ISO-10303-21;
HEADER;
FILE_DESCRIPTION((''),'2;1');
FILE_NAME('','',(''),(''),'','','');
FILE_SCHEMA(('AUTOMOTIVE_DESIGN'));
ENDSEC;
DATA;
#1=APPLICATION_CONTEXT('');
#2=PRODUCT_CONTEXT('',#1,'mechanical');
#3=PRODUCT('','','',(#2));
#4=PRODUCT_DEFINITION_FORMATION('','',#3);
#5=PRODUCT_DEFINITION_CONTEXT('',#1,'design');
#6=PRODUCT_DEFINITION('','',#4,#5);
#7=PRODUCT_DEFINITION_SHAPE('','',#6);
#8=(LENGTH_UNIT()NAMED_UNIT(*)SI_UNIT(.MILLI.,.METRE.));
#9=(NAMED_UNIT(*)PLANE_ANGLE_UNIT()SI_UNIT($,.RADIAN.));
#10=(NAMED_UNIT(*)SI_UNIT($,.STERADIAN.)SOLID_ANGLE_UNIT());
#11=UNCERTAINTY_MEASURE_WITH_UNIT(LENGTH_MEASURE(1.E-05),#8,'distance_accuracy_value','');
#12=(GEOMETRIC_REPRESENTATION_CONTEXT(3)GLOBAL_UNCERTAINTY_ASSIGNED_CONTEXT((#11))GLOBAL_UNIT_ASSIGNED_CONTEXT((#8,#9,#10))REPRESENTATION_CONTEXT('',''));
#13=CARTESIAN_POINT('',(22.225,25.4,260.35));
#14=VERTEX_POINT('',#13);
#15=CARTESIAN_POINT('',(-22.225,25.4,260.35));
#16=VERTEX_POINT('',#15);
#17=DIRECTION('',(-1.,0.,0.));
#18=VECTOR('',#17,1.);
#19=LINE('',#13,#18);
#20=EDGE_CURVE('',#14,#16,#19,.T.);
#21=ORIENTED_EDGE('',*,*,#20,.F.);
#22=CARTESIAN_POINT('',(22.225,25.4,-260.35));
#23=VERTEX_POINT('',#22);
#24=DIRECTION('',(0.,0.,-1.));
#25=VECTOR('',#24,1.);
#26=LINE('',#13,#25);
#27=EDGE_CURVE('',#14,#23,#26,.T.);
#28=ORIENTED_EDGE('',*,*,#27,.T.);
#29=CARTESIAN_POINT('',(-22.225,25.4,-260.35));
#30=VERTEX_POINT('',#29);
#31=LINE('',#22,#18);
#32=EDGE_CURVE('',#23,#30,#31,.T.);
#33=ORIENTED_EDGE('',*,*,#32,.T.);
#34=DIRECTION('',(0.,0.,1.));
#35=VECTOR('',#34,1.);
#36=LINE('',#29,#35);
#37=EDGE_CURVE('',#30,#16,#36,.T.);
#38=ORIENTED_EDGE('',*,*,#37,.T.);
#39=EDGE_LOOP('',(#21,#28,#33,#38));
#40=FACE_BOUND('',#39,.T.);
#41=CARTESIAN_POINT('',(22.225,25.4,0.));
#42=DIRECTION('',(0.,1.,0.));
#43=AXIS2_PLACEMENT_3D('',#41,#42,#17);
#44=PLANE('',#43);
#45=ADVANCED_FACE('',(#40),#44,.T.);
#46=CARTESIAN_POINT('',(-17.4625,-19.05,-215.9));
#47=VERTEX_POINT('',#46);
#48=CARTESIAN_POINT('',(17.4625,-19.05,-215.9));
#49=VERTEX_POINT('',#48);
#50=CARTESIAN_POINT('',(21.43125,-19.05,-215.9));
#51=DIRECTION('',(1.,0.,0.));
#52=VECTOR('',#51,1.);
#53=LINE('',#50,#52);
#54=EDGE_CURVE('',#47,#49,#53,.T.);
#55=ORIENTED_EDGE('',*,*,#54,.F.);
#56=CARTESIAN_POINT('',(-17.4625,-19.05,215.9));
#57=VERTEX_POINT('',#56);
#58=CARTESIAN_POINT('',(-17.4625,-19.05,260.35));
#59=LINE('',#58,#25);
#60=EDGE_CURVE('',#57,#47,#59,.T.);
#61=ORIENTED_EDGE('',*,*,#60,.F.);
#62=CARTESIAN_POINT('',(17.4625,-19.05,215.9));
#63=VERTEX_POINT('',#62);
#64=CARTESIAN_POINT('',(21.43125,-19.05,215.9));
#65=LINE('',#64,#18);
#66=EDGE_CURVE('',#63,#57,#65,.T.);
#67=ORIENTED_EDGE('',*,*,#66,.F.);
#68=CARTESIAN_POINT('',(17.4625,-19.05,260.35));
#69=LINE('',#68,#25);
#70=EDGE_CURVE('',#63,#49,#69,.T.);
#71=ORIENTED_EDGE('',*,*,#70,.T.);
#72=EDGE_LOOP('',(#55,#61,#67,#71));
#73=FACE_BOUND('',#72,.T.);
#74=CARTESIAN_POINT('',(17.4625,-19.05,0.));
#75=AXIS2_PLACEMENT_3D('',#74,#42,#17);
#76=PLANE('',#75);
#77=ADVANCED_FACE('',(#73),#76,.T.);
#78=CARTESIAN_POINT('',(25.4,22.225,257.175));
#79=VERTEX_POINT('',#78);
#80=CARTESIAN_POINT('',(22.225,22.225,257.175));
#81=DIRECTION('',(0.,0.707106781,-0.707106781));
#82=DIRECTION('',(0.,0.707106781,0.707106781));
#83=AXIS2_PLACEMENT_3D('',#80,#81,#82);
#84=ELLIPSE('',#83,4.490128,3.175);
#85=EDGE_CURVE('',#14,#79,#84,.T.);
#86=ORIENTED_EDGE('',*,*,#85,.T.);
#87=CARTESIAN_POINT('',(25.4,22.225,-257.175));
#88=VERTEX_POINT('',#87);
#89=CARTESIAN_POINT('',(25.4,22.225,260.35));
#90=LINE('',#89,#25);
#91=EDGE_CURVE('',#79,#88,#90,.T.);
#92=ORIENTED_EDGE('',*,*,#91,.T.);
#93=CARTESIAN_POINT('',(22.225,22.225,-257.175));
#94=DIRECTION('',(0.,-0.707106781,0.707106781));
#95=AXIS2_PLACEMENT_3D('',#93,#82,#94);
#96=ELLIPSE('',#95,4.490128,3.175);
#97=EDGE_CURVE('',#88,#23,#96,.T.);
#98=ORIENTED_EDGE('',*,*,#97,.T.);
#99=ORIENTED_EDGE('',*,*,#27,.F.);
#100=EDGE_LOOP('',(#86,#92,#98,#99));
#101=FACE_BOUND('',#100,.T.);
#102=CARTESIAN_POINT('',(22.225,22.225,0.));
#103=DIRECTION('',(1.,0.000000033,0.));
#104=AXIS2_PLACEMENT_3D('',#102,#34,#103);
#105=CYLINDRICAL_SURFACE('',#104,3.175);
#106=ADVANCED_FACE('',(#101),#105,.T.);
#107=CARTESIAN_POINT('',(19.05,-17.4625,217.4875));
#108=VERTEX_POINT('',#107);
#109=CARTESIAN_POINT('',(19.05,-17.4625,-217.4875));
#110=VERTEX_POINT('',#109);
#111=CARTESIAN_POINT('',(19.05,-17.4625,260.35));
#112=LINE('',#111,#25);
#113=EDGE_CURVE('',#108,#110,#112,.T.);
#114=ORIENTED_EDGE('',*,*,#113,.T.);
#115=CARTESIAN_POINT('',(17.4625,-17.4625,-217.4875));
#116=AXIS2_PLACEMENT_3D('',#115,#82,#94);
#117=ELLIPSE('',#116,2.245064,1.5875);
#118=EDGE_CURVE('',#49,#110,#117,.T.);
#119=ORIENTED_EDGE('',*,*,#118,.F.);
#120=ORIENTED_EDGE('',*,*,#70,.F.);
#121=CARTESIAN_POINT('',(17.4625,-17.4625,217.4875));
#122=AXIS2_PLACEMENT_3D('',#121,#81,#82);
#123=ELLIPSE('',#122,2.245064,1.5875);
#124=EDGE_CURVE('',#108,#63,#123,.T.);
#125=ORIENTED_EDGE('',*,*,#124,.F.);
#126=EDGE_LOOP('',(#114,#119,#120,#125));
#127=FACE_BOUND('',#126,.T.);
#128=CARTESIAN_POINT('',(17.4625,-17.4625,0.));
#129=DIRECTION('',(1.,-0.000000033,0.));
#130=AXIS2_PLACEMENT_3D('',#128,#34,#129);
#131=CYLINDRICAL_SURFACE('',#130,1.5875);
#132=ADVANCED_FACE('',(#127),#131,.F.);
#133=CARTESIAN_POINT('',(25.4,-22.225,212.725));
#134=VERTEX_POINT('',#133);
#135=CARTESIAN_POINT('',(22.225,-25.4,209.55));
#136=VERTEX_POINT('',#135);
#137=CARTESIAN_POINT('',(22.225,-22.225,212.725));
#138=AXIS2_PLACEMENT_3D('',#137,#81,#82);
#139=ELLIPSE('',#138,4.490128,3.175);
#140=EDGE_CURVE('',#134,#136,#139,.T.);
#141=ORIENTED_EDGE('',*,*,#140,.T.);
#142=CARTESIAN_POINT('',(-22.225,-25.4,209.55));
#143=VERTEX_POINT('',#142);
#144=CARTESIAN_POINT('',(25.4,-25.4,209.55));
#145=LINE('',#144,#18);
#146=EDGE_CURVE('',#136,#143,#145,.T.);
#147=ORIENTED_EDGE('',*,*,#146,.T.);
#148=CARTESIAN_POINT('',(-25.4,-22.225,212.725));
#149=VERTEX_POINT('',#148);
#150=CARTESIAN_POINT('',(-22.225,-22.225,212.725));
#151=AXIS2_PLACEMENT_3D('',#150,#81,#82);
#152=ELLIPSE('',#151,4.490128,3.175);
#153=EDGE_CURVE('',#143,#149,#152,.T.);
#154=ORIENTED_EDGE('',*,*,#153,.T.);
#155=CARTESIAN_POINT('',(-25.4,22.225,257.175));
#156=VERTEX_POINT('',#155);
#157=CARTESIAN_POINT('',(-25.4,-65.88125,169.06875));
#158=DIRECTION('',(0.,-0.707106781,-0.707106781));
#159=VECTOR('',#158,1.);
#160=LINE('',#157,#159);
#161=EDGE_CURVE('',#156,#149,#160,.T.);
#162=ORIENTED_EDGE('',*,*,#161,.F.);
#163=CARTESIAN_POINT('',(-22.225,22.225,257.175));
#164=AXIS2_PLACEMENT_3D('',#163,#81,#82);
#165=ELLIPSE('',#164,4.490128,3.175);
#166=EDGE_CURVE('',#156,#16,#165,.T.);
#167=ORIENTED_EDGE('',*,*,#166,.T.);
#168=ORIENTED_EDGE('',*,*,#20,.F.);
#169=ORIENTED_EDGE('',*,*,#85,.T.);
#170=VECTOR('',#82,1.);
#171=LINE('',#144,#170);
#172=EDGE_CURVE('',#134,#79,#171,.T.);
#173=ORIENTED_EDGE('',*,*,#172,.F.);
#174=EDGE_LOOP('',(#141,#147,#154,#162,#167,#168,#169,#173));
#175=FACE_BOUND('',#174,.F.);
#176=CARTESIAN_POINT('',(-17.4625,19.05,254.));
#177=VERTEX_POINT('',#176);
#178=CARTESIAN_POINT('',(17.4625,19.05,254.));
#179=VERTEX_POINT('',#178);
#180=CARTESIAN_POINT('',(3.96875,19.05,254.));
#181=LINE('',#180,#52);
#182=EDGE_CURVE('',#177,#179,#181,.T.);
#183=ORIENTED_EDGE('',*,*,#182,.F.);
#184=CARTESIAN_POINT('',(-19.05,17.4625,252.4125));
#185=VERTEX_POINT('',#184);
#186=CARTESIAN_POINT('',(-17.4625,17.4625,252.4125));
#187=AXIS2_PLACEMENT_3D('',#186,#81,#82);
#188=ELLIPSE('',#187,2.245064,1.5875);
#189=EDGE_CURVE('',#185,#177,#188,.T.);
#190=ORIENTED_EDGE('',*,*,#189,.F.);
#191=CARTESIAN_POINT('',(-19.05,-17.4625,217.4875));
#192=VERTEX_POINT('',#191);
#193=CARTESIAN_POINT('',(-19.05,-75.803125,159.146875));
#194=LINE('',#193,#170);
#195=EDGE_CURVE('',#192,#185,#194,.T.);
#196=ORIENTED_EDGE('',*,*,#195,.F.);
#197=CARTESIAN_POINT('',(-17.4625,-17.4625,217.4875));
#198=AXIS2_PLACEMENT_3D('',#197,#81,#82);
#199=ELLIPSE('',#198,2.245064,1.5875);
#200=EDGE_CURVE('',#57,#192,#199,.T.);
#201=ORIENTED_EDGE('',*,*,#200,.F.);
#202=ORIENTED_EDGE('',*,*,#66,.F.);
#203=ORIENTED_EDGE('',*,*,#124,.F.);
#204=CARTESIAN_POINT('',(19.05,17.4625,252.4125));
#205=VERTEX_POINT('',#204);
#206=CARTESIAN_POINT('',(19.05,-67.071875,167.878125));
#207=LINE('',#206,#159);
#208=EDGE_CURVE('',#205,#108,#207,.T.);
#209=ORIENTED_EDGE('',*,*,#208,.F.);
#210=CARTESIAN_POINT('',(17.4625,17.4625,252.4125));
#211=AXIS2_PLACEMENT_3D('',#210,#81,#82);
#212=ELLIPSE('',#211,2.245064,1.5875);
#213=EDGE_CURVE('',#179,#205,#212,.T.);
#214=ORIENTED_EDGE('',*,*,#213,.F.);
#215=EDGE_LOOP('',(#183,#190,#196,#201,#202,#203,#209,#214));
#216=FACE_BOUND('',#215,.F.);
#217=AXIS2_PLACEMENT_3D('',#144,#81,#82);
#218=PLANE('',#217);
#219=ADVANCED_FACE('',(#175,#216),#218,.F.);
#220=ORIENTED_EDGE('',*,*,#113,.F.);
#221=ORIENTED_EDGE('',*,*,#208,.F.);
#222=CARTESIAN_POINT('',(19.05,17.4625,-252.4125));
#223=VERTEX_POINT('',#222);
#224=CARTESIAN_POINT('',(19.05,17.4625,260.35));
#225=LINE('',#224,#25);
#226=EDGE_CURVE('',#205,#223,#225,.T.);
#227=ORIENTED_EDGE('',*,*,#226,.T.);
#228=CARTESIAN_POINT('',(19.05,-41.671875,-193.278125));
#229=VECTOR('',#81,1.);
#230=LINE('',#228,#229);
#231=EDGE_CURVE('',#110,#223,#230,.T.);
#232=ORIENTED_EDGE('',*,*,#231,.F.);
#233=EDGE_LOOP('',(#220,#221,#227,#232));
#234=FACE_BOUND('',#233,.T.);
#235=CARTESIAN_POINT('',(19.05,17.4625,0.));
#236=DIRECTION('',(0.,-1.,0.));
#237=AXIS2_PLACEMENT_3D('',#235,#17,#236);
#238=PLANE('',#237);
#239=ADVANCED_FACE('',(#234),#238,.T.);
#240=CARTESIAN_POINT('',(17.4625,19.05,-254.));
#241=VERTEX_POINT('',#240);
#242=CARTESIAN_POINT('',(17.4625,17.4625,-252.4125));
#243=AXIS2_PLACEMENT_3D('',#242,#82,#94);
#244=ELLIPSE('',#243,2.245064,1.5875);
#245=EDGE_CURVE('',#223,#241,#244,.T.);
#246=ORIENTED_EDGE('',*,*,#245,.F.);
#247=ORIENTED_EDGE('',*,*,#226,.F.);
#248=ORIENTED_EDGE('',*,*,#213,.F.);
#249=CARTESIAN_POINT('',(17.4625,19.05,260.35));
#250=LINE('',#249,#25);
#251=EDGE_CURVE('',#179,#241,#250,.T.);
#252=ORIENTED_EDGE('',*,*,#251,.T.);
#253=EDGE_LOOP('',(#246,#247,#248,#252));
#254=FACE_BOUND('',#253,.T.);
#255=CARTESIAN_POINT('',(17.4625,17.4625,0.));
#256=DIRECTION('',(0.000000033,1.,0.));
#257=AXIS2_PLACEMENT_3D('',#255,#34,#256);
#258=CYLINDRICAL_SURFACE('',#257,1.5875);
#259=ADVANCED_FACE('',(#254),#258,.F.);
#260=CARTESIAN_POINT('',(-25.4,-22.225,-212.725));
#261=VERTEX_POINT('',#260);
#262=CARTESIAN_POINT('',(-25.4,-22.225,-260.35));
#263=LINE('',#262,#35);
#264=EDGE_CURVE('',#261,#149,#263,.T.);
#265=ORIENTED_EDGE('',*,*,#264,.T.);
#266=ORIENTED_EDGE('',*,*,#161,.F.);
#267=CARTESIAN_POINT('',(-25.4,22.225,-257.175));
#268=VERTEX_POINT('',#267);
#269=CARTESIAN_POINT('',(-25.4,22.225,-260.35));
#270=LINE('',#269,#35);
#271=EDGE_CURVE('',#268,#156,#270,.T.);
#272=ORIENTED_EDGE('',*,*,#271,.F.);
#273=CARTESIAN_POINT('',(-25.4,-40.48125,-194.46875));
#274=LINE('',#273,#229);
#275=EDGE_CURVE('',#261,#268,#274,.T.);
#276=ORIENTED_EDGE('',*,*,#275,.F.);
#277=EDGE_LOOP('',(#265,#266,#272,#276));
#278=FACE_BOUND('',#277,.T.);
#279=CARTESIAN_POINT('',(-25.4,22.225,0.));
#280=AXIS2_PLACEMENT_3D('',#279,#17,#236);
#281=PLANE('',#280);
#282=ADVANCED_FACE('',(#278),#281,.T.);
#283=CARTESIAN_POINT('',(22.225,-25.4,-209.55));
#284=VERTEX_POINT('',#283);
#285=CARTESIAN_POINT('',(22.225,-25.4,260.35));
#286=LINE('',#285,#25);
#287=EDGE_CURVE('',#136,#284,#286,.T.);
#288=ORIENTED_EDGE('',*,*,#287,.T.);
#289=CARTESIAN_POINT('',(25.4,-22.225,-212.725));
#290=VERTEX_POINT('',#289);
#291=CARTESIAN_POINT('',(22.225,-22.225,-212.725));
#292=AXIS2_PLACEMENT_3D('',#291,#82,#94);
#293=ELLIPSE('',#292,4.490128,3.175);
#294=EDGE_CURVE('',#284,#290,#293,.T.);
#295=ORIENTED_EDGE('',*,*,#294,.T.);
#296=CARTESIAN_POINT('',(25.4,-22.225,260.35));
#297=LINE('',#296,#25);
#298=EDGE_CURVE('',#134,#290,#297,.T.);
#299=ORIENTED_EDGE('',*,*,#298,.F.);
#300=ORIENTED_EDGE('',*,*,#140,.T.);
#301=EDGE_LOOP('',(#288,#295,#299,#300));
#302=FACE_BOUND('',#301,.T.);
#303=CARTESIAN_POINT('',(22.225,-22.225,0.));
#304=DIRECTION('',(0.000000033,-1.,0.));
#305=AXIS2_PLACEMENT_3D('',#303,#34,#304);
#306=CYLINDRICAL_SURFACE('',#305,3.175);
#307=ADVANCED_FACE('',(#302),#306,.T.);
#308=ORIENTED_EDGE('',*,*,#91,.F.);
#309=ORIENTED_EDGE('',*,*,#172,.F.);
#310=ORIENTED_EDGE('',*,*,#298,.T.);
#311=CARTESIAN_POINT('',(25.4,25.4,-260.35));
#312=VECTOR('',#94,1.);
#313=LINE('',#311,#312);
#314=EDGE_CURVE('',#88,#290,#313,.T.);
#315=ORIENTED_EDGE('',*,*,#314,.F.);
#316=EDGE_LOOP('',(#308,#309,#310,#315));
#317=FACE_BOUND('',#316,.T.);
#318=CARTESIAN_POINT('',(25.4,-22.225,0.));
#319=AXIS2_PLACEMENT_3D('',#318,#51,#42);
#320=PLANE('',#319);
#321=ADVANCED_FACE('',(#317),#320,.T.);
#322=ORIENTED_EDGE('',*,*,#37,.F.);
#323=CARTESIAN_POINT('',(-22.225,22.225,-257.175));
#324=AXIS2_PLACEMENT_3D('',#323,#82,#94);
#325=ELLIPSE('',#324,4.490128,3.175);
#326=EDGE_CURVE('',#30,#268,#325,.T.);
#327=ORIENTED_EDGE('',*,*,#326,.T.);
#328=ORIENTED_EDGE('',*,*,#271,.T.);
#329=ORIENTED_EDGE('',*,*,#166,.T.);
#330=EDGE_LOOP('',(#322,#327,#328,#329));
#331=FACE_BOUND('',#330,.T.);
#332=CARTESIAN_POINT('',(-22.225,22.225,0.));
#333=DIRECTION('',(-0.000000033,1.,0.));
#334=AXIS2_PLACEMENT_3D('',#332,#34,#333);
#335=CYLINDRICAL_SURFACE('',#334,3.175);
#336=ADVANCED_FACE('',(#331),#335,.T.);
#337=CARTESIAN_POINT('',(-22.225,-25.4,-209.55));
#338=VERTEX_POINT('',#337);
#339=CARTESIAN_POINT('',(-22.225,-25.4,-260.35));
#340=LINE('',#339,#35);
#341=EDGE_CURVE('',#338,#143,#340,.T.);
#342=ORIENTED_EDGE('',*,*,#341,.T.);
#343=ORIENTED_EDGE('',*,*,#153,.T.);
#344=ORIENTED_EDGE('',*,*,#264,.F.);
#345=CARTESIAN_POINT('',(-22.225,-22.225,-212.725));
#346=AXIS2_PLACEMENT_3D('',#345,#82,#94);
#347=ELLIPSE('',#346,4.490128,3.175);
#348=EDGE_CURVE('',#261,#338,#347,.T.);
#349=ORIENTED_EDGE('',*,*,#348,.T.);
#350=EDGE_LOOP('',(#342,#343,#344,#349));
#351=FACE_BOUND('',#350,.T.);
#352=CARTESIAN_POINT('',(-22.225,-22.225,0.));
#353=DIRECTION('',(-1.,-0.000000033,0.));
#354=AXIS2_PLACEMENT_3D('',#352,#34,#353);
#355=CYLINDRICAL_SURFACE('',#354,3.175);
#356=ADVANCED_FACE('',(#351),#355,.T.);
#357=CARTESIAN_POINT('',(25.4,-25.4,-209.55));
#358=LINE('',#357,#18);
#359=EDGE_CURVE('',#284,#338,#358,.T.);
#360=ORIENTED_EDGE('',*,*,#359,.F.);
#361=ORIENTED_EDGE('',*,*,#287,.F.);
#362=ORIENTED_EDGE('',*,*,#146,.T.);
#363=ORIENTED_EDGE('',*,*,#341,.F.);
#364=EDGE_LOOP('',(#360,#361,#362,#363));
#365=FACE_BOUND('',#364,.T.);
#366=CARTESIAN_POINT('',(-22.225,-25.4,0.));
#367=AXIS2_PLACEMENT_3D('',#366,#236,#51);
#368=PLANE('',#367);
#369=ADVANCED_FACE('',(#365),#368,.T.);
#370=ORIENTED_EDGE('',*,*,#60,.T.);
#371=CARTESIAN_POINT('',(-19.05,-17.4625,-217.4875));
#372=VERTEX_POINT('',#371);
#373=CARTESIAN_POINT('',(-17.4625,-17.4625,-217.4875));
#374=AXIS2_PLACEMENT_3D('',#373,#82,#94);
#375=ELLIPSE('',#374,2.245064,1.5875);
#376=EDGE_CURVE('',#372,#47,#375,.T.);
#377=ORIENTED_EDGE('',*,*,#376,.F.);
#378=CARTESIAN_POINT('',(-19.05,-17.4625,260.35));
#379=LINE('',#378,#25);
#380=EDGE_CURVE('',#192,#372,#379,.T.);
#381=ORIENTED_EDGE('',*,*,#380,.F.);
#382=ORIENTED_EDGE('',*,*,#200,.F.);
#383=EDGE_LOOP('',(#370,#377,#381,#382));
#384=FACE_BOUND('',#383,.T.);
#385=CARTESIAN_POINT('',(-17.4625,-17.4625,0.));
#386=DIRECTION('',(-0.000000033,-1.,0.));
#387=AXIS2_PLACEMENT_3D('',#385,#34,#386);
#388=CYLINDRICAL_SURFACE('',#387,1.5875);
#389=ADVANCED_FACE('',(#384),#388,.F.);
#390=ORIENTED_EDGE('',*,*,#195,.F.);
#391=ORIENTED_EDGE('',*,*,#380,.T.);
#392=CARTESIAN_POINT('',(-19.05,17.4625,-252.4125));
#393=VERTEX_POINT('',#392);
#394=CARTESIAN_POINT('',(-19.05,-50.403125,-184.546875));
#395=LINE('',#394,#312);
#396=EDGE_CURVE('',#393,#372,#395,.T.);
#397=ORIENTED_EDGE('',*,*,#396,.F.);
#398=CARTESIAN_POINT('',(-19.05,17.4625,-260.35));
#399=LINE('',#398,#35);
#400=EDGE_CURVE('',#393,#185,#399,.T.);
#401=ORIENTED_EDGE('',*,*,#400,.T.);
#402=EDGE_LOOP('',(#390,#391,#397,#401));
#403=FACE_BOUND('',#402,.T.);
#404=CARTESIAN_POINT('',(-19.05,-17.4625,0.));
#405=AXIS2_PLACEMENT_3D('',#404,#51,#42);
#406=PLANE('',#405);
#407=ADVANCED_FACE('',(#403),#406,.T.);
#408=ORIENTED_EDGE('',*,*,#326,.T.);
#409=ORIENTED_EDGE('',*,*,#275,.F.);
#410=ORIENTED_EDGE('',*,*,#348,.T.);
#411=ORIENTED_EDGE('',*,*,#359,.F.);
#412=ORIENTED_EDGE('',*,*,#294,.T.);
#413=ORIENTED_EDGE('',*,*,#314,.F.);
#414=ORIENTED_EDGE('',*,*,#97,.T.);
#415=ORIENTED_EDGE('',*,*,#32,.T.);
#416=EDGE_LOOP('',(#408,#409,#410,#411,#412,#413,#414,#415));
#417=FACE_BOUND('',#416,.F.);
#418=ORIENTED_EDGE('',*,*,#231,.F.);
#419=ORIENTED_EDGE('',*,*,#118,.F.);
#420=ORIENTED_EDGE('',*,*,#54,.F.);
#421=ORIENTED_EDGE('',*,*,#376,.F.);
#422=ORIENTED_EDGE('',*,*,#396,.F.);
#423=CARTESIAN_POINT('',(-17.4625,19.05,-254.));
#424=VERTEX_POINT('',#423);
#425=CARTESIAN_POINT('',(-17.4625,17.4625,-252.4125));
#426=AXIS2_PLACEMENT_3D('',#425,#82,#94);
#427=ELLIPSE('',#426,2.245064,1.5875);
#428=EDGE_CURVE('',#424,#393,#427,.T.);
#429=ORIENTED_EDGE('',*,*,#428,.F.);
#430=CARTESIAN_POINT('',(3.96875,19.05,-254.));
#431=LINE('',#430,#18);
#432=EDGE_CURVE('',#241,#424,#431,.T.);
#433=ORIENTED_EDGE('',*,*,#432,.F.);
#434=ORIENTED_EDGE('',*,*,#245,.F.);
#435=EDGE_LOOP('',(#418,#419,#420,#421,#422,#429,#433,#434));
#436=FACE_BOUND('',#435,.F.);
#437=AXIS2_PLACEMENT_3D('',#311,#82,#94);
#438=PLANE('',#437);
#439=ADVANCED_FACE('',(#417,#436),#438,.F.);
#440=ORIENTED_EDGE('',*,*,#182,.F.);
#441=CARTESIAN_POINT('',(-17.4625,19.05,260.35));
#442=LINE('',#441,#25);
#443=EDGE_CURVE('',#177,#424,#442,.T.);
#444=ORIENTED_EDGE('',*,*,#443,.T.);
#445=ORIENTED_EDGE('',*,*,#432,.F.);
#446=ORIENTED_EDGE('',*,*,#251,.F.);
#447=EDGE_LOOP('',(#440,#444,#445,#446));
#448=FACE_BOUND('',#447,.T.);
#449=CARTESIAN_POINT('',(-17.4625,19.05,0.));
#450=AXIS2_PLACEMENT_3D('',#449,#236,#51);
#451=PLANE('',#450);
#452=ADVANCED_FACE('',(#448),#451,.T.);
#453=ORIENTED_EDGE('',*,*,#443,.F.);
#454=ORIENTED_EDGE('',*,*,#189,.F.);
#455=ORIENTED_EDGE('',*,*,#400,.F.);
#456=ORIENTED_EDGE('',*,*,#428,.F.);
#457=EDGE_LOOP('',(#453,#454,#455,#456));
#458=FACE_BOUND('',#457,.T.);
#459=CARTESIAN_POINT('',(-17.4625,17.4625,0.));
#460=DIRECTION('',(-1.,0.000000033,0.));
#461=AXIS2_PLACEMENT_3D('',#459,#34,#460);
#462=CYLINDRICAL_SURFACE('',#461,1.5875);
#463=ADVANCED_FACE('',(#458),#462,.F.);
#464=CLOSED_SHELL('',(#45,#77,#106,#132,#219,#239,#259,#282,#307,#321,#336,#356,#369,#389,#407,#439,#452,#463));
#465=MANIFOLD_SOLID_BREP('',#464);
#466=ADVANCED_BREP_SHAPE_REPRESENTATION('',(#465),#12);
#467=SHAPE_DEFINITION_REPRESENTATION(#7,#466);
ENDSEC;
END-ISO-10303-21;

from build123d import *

# Parameters (mm, degrees)
F1_DEPTH = 260.35
F3_DEPTH = 50.801


with BuildPart() as f1:
    # F0 (on Top) → F1 (new body, symmetric)
    with BuildSketch(Plane.XY):
        with BuildLine():
            Line((22.225, 25.4), (-22.225, 25.4))
            ThreePointArc((-22.225, 25.4), (-24.470064, 24.470064), (-25.4, 22.225))
            Line((-25.4, 22.225), (-25.4, -22.225))
            ThreePointArc((-25.4, -22.225), (-24.470064, -24.470064), (-22.225, -25.4))
            Line((-22.225, -25.4), (22.225, -25.4))
            ThreePointArc((22.225, -25.4), (24.470064, -24.470064), (25.4, -22.225))
            Line((25.4, -22.225), (25.4, 22.225))
            ThreePointArc((25.4, 22.225), (24.470064, 24.470064), (22.225, 25.4))
        make_face()
        with BuildLine():
            ThreePointArc((-19.05, 17.4625), (-18.585032, 18.585032), (-17.4625, 19.05))
            Line((-17.4625, 19.05), (17.4625, 19.05))
            ThreePointArc((17.4625, 19.05), (18.585032, 18.585032), (19.05, 17.4625))
            Line((19.05, 17.4625), (19.05, -17.4625))
            ThreePointArc((19.05, -17.4625), (18.585032, -18.585032), (17.4625, -19.05))
            Line((17.4625, -19.05), (-17.4625, -19.05))
            ThreePointArc((-17.4625, -19.05), (-18.585032, -18.585032), (-19.05, -17.4625))
            Line((-19.05, -17.4625), (-19.05, 17.4625))
        make_face(mode=Mode.SUBTRACT)
    extrude(amount=F1_DEPTH, both=True)

    # F2 (on face) → F3 (cut, through all)
    with BuildSketch(Plane.YZ.offset(25.4)):
        Polygon((-25.4, 209.55), (25.4, 260.35), (-25.4, 260.35), align=None)
        Polygon((-25.4, -260.35), (25.4, -260.35), (-25.4, -209.55), align=None)
    extrude(amount=-F3_DEPTH, mode=Mode.SUBTRACT)


solid = f1.part
